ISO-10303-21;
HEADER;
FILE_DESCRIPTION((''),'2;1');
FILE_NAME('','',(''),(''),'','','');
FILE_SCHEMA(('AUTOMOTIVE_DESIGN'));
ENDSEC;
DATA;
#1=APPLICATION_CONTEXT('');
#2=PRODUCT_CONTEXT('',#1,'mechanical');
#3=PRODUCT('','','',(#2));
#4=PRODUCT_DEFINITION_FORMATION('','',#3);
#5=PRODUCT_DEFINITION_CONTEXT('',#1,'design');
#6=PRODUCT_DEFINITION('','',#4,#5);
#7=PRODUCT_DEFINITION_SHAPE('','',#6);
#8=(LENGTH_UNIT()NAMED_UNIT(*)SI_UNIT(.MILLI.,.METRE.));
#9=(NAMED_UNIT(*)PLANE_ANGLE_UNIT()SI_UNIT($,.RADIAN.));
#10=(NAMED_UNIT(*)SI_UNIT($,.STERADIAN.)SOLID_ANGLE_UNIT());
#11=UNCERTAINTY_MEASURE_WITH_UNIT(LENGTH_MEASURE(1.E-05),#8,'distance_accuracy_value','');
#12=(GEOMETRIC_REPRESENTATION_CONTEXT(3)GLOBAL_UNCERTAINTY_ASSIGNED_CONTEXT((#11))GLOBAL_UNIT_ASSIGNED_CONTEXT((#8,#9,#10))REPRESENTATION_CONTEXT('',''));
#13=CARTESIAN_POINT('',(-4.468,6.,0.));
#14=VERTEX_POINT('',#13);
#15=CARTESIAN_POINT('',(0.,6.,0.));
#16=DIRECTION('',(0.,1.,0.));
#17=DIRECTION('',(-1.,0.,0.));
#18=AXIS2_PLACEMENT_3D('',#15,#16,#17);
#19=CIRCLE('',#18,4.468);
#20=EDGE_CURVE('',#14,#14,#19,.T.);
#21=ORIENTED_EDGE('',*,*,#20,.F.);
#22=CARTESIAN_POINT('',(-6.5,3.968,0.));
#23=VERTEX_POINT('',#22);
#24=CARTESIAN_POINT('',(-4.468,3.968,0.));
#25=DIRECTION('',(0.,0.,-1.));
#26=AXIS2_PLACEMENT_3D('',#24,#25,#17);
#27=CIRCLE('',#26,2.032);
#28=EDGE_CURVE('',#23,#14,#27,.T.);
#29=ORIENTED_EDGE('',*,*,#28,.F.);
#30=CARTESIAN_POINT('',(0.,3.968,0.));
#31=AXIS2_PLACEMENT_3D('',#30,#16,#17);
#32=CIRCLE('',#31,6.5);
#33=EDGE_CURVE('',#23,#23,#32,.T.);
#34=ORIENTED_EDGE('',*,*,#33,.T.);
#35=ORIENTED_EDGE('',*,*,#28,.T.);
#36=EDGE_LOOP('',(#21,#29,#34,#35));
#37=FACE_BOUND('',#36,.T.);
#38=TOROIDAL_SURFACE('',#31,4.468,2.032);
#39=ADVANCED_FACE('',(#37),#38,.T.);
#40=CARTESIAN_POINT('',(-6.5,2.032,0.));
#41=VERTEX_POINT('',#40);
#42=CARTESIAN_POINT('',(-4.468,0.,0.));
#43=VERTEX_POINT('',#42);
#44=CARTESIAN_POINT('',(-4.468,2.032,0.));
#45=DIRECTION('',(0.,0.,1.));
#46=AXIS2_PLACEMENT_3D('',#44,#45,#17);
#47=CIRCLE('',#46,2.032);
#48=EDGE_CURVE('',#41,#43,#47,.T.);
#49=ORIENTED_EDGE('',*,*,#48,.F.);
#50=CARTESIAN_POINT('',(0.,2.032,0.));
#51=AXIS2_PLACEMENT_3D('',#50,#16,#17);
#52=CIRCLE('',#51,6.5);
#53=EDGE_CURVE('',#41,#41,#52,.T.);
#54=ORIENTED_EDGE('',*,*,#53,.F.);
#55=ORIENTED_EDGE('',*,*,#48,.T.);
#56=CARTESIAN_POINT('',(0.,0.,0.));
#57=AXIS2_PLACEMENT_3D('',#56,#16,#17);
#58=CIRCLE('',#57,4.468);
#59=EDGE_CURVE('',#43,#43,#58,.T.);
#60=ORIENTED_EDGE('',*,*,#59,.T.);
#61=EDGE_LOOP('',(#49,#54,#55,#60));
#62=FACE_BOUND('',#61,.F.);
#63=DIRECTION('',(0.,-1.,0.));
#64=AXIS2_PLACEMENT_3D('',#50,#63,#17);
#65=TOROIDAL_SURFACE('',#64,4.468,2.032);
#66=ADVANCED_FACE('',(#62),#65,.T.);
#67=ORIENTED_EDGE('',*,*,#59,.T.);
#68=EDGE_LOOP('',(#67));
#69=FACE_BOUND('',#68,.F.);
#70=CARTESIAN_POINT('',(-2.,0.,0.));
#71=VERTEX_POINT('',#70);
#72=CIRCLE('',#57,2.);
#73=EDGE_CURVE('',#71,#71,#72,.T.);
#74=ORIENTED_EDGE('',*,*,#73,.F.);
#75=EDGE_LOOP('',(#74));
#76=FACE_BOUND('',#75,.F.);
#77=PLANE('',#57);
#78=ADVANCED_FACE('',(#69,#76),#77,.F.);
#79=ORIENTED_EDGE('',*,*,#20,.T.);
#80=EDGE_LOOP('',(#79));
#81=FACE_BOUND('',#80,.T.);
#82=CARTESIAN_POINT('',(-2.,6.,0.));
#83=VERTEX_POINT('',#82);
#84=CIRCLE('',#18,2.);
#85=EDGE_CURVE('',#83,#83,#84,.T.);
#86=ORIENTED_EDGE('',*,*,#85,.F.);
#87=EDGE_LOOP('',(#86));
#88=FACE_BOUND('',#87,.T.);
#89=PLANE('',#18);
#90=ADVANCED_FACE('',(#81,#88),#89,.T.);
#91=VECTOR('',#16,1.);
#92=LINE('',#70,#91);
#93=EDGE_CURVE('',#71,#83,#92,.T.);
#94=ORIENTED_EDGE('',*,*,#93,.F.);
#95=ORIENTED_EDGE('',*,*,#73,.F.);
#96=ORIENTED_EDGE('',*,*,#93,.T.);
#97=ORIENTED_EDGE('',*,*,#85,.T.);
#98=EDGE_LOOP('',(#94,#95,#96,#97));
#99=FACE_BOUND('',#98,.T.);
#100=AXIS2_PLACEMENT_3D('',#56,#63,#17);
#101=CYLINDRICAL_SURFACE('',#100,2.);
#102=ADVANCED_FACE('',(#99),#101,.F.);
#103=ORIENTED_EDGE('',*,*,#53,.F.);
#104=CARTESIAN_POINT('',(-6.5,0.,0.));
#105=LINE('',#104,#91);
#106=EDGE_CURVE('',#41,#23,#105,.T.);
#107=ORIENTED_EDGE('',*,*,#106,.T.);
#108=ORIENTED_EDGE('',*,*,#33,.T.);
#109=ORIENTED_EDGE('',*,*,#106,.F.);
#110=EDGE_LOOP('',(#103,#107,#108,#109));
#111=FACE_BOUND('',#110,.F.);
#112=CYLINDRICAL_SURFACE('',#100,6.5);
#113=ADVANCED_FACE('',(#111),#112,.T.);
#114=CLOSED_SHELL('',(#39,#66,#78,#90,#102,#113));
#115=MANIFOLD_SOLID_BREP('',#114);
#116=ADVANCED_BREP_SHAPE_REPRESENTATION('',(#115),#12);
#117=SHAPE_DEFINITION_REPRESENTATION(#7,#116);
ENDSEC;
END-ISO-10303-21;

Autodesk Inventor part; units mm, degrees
ref_plane "YZ Plane" through (0, 0, 0) normal (1, 0, 0) x (0, 1, 0)
ref_plane "XZ Plane" through (0, 0, 0) normal (0, 1, 0) x (-1, 0, 0)
ref_plane "XY Plane" through (0, 0, 0) normal (0, 0, 1) x (1, 0, 0)
sketch "Sketch1" plane through (0, 0, 0) normal (0, 1, 0) x (-1, 0, 0)
  circle A0 centre (0, 0) radius 6.5
  circle A1 centre (0, 0) radius 2
  dimension "d0" = 13
  dimension "d1" = 4
extrude "Extrusion1" add sketch "Sketch1" along normal blind 6
fillet "Fillet1" radius 2.032 2 edges at (6.5, 6, 0) (6.5, 0, 0)
properties part number "Collector Wheel"
